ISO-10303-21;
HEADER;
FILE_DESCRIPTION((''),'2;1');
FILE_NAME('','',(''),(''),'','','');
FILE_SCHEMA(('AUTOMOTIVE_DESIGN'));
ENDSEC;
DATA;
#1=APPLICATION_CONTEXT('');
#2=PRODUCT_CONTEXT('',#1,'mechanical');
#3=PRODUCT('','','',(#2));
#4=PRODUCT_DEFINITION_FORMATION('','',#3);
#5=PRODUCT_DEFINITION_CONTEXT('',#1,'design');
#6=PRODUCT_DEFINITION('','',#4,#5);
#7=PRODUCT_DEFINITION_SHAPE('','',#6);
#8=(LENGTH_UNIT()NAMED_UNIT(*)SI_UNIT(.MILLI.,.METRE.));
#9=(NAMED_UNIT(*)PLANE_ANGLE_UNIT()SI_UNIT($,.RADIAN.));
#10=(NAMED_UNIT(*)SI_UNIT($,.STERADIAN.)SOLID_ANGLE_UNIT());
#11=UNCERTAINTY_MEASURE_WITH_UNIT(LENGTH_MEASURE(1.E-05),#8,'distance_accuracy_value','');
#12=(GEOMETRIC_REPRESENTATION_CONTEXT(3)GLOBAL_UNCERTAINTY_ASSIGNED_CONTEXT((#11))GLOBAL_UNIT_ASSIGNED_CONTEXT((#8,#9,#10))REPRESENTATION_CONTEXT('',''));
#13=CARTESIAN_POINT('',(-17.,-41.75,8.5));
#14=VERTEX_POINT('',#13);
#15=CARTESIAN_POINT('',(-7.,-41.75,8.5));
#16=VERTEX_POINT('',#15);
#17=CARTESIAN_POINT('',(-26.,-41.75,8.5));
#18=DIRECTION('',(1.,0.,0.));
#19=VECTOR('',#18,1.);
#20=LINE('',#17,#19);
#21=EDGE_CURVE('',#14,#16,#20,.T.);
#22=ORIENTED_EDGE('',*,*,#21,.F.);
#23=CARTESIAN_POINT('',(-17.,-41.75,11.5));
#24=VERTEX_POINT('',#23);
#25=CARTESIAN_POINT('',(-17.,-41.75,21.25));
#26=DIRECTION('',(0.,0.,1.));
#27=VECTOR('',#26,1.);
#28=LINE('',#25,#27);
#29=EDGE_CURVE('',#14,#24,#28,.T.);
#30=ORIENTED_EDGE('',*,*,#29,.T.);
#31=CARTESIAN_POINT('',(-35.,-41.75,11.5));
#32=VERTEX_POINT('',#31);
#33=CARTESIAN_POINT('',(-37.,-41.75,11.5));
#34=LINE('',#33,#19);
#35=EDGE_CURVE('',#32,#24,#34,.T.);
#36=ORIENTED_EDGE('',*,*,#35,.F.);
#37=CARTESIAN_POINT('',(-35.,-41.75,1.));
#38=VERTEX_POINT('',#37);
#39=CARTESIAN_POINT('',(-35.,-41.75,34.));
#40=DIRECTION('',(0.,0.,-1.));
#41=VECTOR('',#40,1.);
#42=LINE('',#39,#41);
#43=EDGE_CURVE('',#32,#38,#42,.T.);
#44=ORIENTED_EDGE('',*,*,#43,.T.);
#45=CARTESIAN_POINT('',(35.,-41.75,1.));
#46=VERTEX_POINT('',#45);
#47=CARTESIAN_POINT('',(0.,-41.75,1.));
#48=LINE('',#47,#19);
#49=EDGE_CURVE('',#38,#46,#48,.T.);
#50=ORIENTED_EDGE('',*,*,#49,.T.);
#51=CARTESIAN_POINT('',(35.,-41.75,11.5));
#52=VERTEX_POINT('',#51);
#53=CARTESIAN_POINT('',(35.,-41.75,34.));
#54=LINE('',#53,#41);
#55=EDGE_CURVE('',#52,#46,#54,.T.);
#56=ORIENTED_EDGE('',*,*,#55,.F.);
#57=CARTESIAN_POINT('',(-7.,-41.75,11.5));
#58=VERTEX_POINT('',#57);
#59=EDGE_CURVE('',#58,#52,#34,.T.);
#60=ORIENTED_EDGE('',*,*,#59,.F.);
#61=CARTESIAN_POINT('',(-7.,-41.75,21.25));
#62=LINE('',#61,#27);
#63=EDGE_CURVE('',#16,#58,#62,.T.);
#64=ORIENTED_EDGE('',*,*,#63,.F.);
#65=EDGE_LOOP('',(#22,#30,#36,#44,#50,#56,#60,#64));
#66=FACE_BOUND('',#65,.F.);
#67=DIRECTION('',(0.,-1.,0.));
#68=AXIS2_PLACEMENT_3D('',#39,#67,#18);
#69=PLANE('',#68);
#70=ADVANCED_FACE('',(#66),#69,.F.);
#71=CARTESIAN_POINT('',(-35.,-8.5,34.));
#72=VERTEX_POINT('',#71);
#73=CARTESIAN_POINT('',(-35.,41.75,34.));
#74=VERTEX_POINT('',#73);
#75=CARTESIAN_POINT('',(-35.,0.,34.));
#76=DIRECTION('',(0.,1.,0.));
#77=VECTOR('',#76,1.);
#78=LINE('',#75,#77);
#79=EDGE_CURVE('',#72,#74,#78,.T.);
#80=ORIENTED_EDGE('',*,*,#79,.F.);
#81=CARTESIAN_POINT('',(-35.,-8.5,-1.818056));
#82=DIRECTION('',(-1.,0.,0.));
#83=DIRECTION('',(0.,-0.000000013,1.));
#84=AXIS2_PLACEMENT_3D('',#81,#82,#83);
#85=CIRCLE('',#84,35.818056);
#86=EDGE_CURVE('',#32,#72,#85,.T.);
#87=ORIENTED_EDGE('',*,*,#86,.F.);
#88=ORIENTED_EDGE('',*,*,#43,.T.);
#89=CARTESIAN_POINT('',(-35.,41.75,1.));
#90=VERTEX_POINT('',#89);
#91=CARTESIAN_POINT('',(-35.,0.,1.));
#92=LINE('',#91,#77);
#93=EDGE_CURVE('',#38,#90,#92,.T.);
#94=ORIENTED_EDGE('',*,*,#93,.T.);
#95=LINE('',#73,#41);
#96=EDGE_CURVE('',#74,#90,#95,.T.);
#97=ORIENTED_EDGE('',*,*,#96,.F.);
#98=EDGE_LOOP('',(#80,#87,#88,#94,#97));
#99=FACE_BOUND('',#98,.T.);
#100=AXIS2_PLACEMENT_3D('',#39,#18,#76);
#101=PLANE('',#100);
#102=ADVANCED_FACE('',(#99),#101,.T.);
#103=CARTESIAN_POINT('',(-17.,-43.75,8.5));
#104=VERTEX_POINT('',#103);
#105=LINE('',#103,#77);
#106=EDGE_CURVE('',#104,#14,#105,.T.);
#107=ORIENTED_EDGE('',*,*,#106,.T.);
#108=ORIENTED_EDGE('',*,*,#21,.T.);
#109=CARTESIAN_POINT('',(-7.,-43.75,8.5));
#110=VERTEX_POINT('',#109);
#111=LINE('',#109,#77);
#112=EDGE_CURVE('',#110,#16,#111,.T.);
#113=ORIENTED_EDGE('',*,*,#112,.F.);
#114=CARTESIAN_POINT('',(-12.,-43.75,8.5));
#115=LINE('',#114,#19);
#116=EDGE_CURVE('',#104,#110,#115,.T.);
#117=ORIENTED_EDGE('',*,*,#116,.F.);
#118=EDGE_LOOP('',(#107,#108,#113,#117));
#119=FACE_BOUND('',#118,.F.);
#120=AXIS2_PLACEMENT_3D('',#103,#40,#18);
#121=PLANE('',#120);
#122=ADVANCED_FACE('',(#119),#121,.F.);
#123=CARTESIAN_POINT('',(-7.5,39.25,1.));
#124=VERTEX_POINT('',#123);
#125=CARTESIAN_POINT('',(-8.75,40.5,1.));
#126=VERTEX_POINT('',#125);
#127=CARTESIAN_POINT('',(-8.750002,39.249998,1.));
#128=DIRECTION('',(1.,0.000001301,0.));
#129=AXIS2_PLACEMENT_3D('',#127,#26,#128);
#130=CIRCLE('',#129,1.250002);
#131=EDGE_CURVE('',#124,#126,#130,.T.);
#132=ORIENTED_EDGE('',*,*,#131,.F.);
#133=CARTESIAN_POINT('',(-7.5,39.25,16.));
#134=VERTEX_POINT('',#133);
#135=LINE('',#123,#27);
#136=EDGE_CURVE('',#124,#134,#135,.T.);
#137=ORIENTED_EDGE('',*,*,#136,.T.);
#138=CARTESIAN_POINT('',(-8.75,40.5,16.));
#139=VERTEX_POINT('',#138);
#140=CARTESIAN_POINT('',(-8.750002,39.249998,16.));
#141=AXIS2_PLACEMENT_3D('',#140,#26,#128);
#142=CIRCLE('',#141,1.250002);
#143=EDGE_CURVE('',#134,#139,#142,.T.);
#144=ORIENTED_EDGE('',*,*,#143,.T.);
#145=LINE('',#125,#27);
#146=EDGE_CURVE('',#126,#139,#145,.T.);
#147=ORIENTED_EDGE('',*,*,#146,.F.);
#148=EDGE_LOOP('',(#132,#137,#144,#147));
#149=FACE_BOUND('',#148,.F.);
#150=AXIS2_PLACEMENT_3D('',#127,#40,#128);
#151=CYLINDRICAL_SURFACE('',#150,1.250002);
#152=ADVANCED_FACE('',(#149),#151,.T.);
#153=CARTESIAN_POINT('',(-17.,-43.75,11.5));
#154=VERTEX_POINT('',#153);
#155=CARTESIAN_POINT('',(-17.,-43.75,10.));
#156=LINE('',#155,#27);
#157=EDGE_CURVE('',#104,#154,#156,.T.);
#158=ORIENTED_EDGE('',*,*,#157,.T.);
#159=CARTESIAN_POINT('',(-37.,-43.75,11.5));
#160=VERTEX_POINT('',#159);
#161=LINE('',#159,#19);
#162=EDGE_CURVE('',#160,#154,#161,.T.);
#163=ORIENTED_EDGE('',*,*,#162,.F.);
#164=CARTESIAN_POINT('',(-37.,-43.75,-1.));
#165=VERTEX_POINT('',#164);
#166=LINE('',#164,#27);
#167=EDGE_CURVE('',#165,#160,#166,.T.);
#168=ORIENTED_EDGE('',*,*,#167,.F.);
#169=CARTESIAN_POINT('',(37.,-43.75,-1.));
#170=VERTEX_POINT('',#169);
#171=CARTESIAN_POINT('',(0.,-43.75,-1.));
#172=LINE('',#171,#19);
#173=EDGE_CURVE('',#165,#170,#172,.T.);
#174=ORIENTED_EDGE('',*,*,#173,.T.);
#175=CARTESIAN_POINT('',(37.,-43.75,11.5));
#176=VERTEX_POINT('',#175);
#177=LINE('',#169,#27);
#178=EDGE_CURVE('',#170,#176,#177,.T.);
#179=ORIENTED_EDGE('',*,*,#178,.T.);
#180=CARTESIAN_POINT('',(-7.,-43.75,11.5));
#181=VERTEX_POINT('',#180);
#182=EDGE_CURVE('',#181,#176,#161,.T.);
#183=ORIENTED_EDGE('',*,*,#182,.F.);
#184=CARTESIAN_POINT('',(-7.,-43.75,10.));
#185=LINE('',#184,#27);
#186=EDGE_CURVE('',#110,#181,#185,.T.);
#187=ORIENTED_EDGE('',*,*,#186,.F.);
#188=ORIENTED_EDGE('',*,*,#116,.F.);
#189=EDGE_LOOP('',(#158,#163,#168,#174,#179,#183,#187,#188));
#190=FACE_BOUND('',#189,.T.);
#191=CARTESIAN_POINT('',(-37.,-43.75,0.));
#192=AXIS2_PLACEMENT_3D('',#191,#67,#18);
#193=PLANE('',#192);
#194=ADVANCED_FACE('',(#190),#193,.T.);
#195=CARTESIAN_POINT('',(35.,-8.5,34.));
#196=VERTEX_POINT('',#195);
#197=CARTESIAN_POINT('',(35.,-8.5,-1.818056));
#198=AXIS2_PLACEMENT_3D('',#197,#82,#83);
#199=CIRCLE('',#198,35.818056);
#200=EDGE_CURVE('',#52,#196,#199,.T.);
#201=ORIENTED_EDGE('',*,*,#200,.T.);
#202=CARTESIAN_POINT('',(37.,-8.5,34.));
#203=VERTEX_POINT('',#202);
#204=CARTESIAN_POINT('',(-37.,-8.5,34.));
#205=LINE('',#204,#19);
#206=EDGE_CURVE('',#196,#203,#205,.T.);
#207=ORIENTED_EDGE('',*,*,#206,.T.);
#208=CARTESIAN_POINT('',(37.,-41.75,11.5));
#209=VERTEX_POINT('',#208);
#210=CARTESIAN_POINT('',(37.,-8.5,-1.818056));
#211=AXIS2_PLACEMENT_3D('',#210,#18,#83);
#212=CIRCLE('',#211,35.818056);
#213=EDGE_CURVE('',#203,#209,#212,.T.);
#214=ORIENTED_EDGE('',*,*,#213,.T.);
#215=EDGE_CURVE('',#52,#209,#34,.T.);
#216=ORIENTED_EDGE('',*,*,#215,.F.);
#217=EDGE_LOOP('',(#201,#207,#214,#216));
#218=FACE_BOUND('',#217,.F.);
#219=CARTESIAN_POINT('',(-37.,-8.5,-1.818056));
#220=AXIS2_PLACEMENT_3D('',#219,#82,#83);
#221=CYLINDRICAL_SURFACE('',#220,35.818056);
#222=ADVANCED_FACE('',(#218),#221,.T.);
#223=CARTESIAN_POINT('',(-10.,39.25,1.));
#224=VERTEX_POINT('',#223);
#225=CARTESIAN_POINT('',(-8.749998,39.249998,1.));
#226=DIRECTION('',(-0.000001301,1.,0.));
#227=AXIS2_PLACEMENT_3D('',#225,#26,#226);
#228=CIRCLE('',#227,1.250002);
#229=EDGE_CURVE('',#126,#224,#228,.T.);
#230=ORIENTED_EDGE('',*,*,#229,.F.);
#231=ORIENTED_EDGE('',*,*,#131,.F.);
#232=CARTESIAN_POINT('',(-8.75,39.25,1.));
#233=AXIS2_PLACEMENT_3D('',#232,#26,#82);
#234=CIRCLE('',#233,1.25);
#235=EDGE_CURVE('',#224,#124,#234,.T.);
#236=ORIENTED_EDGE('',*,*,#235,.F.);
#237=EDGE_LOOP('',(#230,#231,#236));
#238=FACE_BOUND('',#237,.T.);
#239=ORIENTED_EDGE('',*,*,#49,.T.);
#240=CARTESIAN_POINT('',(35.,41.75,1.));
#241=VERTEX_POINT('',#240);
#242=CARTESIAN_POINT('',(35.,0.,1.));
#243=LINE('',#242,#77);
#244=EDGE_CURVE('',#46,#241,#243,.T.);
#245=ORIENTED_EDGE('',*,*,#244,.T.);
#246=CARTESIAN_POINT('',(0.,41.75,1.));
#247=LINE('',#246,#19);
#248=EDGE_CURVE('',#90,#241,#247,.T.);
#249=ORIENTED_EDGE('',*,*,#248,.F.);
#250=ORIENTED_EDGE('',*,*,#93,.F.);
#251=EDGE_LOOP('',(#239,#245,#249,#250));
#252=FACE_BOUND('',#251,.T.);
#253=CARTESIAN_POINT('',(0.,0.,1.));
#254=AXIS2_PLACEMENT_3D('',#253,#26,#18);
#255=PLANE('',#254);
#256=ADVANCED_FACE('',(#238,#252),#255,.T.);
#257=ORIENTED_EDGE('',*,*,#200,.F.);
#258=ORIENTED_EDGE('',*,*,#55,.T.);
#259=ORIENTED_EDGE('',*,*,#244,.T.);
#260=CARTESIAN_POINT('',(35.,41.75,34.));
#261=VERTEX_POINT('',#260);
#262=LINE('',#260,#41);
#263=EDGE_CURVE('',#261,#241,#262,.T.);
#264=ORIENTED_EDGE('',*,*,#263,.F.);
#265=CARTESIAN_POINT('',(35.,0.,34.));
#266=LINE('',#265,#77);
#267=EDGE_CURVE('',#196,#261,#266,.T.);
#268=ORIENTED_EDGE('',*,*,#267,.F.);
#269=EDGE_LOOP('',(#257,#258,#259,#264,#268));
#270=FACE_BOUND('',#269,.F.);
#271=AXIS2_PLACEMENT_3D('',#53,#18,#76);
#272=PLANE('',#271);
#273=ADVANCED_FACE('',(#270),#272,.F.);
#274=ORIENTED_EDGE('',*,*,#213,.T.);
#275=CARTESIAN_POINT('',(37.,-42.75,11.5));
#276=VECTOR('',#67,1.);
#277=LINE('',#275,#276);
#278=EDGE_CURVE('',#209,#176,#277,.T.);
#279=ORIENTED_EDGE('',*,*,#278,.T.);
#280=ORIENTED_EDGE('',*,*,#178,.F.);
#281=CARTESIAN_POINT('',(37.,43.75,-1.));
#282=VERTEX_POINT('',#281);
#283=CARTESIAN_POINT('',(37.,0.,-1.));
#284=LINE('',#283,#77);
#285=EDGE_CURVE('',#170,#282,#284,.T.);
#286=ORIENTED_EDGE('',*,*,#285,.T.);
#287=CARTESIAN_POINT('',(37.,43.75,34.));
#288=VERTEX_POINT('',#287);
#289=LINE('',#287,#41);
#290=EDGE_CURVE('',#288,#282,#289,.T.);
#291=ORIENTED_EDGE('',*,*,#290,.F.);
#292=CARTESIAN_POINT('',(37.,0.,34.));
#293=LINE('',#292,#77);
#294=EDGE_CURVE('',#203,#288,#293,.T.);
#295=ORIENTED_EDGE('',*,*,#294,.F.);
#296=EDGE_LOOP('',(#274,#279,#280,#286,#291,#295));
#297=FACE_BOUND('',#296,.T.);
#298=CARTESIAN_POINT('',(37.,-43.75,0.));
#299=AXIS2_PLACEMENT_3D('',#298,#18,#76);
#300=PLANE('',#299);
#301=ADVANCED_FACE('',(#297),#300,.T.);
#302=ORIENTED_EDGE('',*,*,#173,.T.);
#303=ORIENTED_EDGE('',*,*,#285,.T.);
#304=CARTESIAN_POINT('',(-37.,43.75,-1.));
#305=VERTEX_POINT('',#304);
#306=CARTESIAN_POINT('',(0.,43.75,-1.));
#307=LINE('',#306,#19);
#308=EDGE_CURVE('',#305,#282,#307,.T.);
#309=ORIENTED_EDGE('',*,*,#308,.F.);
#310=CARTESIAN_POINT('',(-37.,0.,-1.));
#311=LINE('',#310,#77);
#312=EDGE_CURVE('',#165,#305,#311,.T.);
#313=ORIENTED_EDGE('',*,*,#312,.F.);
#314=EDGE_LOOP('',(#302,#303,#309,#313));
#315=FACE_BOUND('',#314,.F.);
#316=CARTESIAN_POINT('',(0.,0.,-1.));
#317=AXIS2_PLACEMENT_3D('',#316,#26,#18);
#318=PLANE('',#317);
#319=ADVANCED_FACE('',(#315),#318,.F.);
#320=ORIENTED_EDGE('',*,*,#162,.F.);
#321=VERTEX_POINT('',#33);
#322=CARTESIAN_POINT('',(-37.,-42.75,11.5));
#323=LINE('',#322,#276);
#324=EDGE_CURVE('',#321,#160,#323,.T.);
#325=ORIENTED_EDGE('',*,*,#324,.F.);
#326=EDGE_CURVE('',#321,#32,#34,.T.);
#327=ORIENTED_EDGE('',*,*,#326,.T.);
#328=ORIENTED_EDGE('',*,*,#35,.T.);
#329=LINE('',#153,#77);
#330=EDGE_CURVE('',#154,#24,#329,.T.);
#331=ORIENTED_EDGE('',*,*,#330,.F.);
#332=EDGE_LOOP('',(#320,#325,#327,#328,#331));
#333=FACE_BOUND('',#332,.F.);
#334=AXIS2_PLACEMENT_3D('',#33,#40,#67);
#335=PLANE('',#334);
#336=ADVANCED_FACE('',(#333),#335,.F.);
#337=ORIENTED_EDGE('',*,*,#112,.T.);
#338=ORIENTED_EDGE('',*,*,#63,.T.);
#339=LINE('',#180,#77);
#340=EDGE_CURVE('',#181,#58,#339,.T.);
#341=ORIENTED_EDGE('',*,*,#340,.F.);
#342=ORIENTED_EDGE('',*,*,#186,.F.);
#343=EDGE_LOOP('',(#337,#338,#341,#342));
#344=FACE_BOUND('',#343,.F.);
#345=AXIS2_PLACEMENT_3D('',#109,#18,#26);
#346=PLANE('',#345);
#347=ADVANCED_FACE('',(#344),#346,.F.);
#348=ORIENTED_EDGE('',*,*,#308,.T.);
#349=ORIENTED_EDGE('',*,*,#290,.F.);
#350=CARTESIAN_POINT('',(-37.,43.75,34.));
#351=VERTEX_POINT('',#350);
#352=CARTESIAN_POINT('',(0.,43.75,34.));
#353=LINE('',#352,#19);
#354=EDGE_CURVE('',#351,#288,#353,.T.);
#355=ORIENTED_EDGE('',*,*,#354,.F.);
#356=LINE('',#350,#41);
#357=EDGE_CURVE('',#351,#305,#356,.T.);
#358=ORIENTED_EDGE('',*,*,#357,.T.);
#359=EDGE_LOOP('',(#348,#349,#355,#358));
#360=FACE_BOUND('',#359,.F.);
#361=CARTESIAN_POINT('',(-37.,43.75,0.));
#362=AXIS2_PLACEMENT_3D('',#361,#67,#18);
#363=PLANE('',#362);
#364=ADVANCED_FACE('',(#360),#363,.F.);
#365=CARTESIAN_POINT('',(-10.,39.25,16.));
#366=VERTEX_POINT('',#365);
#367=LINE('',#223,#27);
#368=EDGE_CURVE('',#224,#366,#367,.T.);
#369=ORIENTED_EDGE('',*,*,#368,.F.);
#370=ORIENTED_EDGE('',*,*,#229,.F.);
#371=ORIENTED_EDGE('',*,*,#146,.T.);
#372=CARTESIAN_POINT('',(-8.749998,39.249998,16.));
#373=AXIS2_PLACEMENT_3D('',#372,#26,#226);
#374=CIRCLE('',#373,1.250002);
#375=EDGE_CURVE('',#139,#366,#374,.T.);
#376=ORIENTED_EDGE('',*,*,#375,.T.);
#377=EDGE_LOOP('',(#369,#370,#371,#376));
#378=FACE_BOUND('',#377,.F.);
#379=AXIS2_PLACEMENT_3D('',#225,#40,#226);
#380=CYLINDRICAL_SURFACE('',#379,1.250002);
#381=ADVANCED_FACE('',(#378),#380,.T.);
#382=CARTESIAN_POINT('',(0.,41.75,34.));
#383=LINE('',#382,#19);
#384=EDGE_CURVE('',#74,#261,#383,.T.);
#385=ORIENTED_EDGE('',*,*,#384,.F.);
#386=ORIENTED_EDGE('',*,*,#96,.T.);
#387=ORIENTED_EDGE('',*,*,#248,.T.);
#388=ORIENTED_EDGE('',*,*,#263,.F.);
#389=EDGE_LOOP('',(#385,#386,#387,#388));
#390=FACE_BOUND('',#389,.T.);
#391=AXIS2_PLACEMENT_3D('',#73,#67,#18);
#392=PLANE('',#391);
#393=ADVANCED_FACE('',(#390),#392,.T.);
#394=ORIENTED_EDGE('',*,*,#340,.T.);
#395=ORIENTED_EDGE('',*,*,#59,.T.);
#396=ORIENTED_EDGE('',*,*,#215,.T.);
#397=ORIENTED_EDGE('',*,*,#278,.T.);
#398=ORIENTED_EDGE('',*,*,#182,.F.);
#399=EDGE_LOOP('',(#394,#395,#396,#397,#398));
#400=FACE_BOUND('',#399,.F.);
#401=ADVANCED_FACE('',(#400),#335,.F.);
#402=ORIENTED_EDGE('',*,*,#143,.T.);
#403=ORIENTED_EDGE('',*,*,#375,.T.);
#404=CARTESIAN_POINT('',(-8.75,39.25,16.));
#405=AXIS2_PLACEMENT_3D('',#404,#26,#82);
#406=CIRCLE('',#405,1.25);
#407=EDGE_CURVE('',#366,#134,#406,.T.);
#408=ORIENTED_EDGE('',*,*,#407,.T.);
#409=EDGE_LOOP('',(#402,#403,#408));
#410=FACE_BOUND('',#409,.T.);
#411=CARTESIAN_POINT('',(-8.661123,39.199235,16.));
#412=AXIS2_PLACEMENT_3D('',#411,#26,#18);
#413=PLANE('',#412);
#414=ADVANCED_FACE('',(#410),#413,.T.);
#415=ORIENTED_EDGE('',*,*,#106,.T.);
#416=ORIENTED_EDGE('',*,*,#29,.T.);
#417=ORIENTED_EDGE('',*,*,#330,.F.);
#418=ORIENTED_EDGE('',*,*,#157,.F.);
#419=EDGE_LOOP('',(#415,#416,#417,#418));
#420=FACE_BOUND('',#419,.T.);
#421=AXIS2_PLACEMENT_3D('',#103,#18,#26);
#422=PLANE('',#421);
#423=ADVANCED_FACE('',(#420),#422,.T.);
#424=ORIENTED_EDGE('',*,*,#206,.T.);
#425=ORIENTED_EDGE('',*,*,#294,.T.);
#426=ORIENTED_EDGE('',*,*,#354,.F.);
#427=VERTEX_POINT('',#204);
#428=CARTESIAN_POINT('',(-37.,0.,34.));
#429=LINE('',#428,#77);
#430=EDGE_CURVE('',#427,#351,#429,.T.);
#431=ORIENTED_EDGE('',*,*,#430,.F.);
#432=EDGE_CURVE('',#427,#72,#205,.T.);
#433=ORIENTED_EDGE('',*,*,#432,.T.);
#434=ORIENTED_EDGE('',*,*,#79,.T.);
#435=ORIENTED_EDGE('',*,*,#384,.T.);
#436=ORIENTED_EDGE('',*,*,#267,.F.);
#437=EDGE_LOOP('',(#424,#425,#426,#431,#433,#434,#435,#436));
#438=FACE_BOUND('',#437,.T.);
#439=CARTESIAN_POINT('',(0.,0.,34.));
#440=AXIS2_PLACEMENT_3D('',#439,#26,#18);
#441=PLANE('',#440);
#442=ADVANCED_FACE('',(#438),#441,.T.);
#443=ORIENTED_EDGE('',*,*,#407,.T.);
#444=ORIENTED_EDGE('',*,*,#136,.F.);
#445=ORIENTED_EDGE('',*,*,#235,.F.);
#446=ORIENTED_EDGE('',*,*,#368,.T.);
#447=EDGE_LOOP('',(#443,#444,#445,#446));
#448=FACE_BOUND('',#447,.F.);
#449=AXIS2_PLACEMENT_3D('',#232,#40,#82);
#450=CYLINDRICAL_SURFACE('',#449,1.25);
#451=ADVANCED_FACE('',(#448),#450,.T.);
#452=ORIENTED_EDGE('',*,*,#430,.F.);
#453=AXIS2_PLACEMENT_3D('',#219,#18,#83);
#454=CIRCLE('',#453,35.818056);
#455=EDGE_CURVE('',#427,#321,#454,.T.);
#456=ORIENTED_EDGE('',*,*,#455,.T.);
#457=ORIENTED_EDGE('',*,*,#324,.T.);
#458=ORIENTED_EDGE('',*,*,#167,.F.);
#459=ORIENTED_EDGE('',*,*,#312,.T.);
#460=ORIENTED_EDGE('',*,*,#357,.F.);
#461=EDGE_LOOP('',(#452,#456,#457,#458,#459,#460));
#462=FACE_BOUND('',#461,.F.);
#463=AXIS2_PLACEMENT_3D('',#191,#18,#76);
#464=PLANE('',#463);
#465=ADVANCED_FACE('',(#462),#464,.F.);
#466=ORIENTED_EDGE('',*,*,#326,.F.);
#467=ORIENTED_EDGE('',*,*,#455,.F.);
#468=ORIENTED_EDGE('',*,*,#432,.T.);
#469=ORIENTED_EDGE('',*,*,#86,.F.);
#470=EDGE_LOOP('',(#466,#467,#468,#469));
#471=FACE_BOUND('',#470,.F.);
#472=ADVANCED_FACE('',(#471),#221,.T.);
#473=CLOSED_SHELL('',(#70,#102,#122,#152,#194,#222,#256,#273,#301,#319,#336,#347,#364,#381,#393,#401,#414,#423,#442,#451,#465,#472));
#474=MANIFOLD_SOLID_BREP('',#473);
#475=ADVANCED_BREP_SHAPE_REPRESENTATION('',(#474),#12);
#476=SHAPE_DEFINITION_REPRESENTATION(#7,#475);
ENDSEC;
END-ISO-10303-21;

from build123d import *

# Parameters (mm, degrees)
F0_W      = 74
F0_H      = 87.5
F1_DEPTH  = 34
F2_W      = 70
F2_H      = 83.5
F4_DEPTH  = 33
F3_W      = 2
F3_H      = 22.5
F5_DEPTH  = 74
F8_DEPTH  = 15
F9_DEPTH  = 1
F6_W      = 10
F6_H      = 3
F10_DEPTH = 4


with BuildPart() as f1:
    # F0 (on Top) → F1 (new body)
    with BuildSketch(Plane.XY):
        Rectangle(F0_W, F0_H)
    extrude(amount=F1_DEPTH)

    # F2 (on face) → F4 (cut)
    with BuildSketch(Plane.XY.offset(34)):
        Rectangle(F2_W, F2_H)
    extrude(amount=-F4_DEPTH, mode=Mode.SUBTRACT)

    # F3 (on face) → F5 (cut)
    with BuildSketch(Plane(origin=(-37, 0, 0), x_dir=(0, -1, 0), z_dir=(-1, 0, 0))):
        with BuildLine():
            Line((41.75, 34), (8.5, 34))
            ThreePointArc((8.5, 34), (28.573692, 27.846401), (41.75, 11.5))
            Line((41.75, 11.5), (41.75, 34))
        make_face()
        with Locations((42.75, 22.75)):
            Rectangle(F3_W, F3_H)
    extrude(amount=-F5_DEPTH, mode=Mode.SUBTRACT)

    # F7 (on face) → F8 (join)
    with BuildSketch(Plane.XY.offset(1)):
        with BuildLine():
            ThreePointArc((-7.5, 39.25), (-7.866117, 40.133883), (-8.75, 40.5))
            Line((-8.75, 40.5), (-8.75, 39.25))
            Line((-8.75, 39.25), (-10, 39.25))
            ThreePointArc((-10, 39.25), (-8.75, 38), (-7.5, 39.25))
        make_face()
        with BuildLine():
            Line((-8.75, 39.25), (-8.75, 40.5))
            ThreePointArc((-8.75, 40.5), (-9.633883, 40.133883), (-10, 39.25))
            Line((-10, 39.25), (-8.75, 39.25))
        make_face()
    extrude(amount=F8_DEPTH)

    # F0 (on Top) → F9 (join)
    with BuildSketch(Plane.XY):
        Rectangle(F0_W, F0_H)
    extrude(amount=-F9_DEPTH)

    # F6 (on face) → F10 (cut)
    with BuildSketch(Plane.XZ.offset(43.75)):
        with Locations((-12, 10)):
            Rectangle(F6_W, F6_H)
    extrude(amount=-F10_DEPTH, mode=Mode.SUBTRACT)


solid = f1.part
